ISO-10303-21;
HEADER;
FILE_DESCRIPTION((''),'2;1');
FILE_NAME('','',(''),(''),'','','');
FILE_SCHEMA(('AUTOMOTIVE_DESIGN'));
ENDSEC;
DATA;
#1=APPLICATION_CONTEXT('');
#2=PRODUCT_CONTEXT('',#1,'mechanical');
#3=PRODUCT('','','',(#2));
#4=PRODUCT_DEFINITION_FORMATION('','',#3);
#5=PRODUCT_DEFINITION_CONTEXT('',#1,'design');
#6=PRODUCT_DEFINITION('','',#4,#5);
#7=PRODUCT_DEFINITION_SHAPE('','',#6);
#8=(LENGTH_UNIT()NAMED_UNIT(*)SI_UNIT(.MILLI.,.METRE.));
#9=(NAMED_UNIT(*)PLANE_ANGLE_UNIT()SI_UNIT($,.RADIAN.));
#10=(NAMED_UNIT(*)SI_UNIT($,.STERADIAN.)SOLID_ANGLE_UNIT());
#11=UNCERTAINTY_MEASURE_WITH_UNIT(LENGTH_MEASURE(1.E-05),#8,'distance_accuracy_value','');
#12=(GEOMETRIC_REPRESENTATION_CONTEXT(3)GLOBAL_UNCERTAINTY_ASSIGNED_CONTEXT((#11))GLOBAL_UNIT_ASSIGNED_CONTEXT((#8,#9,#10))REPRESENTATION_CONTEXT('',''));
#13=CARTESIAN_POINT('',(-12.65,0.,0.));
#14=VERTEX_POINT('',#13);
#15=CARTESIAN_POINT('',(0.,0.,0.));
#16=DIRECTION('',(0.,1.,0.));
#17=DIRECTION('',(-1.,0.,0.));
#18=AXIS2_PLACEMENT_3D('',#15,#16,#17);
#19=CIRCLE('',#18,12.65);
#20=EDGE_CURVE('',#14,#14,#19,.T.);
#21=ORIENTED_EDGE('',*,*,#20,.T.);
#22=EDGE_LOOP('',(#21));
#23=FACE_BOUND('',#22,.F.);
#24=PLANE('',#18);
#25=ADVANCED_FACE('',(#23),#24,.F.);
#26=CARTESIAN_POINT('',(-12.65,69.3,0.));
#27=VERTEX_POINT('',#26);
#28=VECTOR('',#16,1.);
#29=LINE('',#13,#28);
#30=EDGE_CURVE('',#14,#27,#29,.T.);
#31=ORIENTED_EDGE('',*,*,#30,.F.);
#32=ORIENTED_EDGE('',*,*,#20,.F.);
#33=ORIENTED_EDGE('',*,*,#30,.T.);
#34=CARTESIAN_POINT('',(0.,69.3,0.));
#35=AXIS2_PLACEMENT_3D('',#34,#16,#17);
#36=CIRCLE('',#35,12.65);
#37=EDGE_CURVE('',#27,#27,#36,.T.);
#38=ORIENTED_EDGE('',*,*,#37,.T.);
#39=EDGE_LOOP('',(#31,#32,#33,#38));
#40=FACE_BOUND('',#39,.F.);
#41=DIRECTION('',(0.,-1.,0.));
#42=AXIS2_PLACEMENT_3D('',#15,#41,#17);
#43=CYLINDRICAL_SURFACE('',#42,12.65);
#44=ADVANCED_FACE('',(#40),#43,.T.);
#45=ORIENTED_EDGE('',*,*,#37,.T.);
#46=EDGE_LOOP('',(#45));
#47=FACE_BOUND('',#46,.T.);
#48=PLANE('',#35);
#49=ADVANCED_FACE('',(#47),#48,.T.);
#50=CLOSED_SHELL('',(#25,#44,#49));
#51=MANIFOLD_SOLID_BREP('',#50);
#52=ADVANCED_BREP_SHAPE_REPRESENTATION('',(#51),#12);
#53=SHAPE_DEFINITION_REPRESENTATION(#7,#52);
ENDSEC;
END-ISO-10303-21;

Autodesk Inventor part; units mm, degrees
ref_plane "YZ Plane" through (0, 0, 0) normal (1, 0, 0) x (0, 1, 0)
ref_plane "XZ Plane" through (0, 0, 0) normal (0, 1, 0) x (-1, 0, 0)
ref_plane "XY Plane" through (0, 0, 0) normal (0, 0, 1) x (1, 0, 0)
sketch "Sketch1" plane through (0, 0, 0) normal (0, 1, 0) x (-1, 0, 0)
  circle A0 centre (0, 0) radius 12.65
  dimension "d0" = 25.3
extrude "Extrusion1" add sketch "Sketch1" along normal blind 69.3
properties part number "Flow sensor"
